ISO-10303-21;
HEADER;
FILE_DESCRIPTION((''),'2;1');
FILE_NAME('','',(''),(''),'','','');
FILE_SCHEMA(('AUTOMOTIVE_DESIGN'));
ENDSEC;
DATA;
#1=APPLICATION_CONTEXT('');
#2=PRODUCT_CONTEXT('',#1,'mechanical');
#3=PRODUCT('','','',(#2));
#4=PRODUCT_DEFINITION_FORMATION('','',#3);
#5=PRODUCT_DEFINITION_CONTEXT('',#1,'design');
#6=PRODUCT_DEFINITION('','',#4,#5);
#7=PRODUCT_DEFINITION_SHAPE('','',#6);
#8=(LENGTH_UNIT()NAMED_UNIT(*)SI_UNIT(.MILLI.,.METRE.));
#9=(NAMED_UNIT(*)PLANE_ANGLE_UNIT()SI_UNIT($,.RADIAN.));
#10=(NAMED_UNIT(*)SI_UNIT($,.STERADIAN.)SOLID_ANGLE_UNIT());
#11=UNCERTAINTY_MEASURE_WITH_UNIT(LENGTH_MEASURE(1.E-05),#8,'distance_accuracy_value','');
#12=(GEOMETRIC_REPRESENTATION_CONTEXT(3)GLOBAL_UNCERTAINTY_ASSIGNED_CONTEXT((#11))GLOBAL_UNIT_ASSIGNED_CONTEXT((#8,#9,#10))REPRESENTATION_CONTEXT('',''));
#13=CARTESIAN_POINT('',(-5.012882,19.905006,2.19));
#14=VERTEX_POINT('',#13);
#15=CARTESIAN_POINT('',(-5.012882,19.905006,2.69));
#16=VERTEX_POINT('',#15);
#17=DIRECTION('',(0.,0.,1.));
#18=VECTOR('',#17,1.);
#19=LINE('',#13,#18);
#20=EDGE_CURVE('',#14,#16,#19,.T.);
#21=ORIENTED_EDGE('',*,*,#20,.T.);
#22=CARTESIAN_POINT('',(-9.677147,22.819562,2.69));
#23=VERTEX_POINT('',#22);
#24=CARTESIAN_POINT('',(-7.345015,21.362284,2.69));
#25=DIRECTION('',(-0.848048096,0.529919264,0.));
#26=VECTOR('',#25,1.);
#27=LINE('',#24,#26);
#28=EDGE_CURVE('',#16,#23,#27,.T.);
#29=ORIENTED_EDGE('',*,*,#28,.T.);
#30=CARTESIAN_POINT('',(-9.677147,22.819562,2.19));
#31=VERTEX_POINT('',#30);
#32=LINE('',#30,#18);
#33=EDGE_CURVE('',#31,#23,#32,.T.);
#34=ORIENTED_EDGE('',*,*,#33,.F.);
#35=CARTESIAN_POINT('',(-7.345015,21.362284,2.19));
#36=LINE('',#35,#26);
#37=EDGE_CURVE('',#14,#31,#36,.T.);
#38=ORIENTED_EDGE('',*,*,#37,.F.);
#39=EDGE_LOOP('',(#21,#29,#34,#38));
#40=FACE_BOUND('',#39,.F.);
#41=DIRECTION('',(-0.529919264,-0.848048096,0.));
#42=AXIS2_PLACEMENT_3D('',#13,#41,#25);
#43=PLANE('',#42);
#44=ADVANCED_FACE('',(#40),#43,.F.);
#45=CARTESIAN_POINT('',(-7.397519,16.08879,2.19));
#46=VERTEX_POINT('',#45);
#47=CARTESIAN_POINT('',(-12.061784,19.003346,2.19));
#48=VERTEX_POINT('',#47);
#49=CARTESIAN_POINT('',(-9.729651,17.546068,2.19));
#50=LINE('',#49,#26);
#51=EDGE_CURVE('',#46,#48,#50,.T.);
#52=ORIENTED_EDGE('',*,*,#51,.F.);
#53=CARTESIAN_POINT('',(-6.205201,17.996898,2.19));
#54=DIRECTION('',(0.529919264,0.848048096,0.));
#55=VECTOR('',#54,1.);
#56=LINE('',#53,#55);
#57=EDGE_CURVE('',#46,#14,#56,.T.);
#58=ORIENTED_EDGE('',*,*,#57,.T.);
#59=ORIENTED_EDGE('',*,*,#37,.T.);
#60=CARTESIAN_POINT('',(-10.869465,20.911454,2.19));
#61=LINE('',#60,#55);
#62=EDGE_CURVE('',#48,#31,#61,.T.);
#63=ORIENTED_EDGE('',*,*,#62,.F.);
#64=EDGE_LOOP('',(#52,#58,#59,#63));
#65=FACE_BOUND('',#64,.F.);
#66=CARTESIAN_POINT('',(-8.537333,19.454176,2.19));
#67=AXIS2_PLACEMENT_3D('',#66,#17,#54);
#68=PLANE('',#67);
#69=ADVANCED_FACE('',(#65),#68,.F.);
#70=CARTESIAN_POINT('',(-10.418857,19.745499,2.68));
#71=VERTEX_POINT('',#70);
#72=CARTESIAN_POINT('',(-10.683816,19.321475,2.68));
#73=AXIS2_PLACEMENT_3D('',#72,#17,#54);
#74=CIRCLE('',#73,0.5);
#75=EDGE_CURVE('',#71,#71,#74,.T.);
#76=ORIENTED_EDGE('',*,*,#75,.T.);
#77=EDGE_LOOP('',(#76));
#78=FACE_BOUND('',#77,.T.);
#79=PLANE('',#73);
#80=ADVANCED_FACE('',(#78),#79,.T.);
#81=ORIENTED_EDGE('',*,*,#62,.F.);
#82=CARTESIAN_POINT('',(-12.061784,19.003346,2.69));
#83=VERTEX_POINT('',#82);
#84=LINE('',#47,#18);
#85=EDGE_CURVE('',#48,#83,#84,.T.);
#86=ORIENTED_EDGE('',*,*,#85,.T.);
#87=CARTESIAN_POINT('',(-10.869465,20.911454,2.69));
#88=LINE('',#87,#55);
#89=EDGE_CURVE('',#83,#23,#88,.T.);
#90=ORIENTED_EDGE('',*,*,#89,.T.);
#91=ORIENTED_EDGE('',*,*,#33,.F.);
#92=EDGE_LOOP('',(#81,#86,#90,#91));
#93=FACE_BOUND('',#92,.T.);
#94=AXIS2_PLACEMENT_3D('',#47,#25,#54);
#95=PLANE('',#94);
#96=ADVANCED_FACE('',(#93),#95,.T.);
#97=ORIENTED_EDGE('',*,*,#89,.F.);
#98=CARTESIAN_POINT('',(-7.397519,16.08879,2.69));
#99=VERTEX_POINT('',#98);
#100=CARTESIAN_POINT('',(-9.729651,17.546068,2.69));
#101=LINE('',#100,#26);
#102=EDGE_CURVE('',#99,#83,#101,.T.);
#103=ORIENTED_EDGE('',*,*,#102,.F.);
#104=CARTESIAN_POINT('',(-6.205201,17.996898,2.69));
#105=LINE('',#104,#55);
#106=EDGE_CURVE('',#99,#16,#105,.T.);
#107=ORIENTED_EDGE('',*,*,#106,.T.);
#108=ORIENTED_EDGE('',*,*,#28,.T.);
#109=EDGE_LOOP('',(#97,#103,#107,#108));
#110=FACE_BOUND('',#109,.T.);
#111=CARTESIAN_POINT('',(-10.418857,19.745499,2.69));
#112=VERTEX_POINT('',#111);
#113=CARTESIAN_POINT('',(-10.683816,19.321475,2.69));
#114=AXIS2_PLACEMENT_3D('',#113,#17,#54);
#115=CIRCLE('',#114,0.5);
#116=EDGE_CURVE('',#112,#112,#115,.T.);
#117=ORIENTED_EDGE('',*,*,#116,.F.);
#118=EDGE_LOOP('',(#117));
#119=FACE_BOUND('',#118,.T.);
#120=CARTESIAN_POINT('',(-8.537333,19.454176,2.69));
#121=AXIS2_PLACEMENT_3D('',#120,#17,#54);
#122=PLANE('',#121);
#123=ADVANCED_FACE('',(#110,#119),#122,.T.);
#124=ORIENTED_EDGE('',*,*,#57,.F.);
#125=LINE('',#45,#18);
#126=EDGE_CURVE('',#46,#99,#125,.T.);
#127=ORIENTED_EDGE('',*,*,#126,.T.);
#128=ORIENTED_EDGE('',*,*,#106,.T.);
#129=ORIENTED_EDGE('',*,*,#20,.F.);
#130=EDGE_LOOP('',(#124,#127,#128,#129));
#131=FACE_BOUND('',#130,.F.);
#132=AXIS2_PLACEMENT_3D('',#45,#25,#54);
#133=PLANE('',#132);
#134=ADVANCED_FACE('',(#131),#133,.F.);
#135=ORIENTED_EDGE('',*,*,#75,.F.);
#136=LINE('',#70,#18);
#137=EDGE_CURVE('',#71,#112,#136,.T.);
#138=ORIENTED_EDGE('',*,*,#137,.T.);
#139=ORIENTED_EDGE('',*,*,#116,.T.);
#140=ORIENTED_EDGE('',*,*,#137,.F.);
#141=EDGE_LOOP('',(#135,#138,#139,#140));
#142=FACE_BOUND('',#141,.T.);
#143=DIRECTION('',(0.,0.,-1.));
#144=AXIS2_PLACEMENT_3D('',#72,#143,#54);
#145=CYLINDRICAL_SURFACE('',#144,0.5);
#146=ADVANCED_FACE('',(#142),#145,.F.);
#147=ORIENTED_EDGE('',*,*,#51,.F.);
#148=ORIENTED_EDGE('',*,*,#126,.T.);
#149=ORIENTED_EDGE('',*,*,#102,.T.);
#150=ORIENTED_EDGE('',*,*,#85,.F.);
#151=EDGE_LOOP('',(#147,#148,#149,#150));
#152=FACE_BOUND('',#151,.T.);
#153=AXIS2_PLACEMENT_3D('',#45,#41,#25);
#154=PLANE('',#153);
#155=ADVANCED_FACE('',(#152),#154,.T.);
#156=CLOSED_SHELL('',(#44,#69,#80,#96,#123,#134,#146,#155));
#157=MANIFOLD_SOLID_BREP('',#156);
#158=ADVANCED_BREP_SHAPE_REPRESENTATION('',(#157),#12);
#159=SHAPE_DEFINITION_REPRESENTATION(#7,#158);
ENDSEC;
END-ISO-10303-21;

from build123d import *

# Parameters (mm, degrees)
CYLINDER081_R          = 0.5
CYLINDER081_DEPTH      = 0.01
BOX174_W               = 4.5
BOX174_H               = 5.5
BOX174_DEPTH           = 0.5
CUT085_PLACEMENT_ANGLE = 58


with BuildPart() as cylinder081:
    # Cylinder081 → Cylinder081 (new body)
    with BuildSketch(Plane(origin=(1, 4.5, 0.49), x_dir=(1, 0, 0), z_dir=(0, 0, 1))):
        Circle(CYLINDER081_R)
    extrude(amount=CYLINDER081_DEPTH)


with BuildPart() as small_linbo3_plate089:
    # Box174 → Box174 (new body)
    with BuildSketch(Plane.XY):
        with Locations((2.25, 2.75)):
            Rectangle(BOX174_W, BOX174_H)
    extrude(amount=BOX174_DEPTH)

    # Cut085: cut Cylinder081
    add(cylinder081.part, mode=Mode.SUBTRACT)


with BuildPart() as small_linbo3_plate089_1:
    # Cut085 placement: moved
    add(small_linbo3_plate089.part.moved(Location((-7.397519, 16.08879, 2.19))).rotate(Axis((-7.397519, 16.08879, 2.19), (0, 0, 1)), CUT085_PLACEMENT_ANGLE))


solid = small_linbo3_plate089_1.part
